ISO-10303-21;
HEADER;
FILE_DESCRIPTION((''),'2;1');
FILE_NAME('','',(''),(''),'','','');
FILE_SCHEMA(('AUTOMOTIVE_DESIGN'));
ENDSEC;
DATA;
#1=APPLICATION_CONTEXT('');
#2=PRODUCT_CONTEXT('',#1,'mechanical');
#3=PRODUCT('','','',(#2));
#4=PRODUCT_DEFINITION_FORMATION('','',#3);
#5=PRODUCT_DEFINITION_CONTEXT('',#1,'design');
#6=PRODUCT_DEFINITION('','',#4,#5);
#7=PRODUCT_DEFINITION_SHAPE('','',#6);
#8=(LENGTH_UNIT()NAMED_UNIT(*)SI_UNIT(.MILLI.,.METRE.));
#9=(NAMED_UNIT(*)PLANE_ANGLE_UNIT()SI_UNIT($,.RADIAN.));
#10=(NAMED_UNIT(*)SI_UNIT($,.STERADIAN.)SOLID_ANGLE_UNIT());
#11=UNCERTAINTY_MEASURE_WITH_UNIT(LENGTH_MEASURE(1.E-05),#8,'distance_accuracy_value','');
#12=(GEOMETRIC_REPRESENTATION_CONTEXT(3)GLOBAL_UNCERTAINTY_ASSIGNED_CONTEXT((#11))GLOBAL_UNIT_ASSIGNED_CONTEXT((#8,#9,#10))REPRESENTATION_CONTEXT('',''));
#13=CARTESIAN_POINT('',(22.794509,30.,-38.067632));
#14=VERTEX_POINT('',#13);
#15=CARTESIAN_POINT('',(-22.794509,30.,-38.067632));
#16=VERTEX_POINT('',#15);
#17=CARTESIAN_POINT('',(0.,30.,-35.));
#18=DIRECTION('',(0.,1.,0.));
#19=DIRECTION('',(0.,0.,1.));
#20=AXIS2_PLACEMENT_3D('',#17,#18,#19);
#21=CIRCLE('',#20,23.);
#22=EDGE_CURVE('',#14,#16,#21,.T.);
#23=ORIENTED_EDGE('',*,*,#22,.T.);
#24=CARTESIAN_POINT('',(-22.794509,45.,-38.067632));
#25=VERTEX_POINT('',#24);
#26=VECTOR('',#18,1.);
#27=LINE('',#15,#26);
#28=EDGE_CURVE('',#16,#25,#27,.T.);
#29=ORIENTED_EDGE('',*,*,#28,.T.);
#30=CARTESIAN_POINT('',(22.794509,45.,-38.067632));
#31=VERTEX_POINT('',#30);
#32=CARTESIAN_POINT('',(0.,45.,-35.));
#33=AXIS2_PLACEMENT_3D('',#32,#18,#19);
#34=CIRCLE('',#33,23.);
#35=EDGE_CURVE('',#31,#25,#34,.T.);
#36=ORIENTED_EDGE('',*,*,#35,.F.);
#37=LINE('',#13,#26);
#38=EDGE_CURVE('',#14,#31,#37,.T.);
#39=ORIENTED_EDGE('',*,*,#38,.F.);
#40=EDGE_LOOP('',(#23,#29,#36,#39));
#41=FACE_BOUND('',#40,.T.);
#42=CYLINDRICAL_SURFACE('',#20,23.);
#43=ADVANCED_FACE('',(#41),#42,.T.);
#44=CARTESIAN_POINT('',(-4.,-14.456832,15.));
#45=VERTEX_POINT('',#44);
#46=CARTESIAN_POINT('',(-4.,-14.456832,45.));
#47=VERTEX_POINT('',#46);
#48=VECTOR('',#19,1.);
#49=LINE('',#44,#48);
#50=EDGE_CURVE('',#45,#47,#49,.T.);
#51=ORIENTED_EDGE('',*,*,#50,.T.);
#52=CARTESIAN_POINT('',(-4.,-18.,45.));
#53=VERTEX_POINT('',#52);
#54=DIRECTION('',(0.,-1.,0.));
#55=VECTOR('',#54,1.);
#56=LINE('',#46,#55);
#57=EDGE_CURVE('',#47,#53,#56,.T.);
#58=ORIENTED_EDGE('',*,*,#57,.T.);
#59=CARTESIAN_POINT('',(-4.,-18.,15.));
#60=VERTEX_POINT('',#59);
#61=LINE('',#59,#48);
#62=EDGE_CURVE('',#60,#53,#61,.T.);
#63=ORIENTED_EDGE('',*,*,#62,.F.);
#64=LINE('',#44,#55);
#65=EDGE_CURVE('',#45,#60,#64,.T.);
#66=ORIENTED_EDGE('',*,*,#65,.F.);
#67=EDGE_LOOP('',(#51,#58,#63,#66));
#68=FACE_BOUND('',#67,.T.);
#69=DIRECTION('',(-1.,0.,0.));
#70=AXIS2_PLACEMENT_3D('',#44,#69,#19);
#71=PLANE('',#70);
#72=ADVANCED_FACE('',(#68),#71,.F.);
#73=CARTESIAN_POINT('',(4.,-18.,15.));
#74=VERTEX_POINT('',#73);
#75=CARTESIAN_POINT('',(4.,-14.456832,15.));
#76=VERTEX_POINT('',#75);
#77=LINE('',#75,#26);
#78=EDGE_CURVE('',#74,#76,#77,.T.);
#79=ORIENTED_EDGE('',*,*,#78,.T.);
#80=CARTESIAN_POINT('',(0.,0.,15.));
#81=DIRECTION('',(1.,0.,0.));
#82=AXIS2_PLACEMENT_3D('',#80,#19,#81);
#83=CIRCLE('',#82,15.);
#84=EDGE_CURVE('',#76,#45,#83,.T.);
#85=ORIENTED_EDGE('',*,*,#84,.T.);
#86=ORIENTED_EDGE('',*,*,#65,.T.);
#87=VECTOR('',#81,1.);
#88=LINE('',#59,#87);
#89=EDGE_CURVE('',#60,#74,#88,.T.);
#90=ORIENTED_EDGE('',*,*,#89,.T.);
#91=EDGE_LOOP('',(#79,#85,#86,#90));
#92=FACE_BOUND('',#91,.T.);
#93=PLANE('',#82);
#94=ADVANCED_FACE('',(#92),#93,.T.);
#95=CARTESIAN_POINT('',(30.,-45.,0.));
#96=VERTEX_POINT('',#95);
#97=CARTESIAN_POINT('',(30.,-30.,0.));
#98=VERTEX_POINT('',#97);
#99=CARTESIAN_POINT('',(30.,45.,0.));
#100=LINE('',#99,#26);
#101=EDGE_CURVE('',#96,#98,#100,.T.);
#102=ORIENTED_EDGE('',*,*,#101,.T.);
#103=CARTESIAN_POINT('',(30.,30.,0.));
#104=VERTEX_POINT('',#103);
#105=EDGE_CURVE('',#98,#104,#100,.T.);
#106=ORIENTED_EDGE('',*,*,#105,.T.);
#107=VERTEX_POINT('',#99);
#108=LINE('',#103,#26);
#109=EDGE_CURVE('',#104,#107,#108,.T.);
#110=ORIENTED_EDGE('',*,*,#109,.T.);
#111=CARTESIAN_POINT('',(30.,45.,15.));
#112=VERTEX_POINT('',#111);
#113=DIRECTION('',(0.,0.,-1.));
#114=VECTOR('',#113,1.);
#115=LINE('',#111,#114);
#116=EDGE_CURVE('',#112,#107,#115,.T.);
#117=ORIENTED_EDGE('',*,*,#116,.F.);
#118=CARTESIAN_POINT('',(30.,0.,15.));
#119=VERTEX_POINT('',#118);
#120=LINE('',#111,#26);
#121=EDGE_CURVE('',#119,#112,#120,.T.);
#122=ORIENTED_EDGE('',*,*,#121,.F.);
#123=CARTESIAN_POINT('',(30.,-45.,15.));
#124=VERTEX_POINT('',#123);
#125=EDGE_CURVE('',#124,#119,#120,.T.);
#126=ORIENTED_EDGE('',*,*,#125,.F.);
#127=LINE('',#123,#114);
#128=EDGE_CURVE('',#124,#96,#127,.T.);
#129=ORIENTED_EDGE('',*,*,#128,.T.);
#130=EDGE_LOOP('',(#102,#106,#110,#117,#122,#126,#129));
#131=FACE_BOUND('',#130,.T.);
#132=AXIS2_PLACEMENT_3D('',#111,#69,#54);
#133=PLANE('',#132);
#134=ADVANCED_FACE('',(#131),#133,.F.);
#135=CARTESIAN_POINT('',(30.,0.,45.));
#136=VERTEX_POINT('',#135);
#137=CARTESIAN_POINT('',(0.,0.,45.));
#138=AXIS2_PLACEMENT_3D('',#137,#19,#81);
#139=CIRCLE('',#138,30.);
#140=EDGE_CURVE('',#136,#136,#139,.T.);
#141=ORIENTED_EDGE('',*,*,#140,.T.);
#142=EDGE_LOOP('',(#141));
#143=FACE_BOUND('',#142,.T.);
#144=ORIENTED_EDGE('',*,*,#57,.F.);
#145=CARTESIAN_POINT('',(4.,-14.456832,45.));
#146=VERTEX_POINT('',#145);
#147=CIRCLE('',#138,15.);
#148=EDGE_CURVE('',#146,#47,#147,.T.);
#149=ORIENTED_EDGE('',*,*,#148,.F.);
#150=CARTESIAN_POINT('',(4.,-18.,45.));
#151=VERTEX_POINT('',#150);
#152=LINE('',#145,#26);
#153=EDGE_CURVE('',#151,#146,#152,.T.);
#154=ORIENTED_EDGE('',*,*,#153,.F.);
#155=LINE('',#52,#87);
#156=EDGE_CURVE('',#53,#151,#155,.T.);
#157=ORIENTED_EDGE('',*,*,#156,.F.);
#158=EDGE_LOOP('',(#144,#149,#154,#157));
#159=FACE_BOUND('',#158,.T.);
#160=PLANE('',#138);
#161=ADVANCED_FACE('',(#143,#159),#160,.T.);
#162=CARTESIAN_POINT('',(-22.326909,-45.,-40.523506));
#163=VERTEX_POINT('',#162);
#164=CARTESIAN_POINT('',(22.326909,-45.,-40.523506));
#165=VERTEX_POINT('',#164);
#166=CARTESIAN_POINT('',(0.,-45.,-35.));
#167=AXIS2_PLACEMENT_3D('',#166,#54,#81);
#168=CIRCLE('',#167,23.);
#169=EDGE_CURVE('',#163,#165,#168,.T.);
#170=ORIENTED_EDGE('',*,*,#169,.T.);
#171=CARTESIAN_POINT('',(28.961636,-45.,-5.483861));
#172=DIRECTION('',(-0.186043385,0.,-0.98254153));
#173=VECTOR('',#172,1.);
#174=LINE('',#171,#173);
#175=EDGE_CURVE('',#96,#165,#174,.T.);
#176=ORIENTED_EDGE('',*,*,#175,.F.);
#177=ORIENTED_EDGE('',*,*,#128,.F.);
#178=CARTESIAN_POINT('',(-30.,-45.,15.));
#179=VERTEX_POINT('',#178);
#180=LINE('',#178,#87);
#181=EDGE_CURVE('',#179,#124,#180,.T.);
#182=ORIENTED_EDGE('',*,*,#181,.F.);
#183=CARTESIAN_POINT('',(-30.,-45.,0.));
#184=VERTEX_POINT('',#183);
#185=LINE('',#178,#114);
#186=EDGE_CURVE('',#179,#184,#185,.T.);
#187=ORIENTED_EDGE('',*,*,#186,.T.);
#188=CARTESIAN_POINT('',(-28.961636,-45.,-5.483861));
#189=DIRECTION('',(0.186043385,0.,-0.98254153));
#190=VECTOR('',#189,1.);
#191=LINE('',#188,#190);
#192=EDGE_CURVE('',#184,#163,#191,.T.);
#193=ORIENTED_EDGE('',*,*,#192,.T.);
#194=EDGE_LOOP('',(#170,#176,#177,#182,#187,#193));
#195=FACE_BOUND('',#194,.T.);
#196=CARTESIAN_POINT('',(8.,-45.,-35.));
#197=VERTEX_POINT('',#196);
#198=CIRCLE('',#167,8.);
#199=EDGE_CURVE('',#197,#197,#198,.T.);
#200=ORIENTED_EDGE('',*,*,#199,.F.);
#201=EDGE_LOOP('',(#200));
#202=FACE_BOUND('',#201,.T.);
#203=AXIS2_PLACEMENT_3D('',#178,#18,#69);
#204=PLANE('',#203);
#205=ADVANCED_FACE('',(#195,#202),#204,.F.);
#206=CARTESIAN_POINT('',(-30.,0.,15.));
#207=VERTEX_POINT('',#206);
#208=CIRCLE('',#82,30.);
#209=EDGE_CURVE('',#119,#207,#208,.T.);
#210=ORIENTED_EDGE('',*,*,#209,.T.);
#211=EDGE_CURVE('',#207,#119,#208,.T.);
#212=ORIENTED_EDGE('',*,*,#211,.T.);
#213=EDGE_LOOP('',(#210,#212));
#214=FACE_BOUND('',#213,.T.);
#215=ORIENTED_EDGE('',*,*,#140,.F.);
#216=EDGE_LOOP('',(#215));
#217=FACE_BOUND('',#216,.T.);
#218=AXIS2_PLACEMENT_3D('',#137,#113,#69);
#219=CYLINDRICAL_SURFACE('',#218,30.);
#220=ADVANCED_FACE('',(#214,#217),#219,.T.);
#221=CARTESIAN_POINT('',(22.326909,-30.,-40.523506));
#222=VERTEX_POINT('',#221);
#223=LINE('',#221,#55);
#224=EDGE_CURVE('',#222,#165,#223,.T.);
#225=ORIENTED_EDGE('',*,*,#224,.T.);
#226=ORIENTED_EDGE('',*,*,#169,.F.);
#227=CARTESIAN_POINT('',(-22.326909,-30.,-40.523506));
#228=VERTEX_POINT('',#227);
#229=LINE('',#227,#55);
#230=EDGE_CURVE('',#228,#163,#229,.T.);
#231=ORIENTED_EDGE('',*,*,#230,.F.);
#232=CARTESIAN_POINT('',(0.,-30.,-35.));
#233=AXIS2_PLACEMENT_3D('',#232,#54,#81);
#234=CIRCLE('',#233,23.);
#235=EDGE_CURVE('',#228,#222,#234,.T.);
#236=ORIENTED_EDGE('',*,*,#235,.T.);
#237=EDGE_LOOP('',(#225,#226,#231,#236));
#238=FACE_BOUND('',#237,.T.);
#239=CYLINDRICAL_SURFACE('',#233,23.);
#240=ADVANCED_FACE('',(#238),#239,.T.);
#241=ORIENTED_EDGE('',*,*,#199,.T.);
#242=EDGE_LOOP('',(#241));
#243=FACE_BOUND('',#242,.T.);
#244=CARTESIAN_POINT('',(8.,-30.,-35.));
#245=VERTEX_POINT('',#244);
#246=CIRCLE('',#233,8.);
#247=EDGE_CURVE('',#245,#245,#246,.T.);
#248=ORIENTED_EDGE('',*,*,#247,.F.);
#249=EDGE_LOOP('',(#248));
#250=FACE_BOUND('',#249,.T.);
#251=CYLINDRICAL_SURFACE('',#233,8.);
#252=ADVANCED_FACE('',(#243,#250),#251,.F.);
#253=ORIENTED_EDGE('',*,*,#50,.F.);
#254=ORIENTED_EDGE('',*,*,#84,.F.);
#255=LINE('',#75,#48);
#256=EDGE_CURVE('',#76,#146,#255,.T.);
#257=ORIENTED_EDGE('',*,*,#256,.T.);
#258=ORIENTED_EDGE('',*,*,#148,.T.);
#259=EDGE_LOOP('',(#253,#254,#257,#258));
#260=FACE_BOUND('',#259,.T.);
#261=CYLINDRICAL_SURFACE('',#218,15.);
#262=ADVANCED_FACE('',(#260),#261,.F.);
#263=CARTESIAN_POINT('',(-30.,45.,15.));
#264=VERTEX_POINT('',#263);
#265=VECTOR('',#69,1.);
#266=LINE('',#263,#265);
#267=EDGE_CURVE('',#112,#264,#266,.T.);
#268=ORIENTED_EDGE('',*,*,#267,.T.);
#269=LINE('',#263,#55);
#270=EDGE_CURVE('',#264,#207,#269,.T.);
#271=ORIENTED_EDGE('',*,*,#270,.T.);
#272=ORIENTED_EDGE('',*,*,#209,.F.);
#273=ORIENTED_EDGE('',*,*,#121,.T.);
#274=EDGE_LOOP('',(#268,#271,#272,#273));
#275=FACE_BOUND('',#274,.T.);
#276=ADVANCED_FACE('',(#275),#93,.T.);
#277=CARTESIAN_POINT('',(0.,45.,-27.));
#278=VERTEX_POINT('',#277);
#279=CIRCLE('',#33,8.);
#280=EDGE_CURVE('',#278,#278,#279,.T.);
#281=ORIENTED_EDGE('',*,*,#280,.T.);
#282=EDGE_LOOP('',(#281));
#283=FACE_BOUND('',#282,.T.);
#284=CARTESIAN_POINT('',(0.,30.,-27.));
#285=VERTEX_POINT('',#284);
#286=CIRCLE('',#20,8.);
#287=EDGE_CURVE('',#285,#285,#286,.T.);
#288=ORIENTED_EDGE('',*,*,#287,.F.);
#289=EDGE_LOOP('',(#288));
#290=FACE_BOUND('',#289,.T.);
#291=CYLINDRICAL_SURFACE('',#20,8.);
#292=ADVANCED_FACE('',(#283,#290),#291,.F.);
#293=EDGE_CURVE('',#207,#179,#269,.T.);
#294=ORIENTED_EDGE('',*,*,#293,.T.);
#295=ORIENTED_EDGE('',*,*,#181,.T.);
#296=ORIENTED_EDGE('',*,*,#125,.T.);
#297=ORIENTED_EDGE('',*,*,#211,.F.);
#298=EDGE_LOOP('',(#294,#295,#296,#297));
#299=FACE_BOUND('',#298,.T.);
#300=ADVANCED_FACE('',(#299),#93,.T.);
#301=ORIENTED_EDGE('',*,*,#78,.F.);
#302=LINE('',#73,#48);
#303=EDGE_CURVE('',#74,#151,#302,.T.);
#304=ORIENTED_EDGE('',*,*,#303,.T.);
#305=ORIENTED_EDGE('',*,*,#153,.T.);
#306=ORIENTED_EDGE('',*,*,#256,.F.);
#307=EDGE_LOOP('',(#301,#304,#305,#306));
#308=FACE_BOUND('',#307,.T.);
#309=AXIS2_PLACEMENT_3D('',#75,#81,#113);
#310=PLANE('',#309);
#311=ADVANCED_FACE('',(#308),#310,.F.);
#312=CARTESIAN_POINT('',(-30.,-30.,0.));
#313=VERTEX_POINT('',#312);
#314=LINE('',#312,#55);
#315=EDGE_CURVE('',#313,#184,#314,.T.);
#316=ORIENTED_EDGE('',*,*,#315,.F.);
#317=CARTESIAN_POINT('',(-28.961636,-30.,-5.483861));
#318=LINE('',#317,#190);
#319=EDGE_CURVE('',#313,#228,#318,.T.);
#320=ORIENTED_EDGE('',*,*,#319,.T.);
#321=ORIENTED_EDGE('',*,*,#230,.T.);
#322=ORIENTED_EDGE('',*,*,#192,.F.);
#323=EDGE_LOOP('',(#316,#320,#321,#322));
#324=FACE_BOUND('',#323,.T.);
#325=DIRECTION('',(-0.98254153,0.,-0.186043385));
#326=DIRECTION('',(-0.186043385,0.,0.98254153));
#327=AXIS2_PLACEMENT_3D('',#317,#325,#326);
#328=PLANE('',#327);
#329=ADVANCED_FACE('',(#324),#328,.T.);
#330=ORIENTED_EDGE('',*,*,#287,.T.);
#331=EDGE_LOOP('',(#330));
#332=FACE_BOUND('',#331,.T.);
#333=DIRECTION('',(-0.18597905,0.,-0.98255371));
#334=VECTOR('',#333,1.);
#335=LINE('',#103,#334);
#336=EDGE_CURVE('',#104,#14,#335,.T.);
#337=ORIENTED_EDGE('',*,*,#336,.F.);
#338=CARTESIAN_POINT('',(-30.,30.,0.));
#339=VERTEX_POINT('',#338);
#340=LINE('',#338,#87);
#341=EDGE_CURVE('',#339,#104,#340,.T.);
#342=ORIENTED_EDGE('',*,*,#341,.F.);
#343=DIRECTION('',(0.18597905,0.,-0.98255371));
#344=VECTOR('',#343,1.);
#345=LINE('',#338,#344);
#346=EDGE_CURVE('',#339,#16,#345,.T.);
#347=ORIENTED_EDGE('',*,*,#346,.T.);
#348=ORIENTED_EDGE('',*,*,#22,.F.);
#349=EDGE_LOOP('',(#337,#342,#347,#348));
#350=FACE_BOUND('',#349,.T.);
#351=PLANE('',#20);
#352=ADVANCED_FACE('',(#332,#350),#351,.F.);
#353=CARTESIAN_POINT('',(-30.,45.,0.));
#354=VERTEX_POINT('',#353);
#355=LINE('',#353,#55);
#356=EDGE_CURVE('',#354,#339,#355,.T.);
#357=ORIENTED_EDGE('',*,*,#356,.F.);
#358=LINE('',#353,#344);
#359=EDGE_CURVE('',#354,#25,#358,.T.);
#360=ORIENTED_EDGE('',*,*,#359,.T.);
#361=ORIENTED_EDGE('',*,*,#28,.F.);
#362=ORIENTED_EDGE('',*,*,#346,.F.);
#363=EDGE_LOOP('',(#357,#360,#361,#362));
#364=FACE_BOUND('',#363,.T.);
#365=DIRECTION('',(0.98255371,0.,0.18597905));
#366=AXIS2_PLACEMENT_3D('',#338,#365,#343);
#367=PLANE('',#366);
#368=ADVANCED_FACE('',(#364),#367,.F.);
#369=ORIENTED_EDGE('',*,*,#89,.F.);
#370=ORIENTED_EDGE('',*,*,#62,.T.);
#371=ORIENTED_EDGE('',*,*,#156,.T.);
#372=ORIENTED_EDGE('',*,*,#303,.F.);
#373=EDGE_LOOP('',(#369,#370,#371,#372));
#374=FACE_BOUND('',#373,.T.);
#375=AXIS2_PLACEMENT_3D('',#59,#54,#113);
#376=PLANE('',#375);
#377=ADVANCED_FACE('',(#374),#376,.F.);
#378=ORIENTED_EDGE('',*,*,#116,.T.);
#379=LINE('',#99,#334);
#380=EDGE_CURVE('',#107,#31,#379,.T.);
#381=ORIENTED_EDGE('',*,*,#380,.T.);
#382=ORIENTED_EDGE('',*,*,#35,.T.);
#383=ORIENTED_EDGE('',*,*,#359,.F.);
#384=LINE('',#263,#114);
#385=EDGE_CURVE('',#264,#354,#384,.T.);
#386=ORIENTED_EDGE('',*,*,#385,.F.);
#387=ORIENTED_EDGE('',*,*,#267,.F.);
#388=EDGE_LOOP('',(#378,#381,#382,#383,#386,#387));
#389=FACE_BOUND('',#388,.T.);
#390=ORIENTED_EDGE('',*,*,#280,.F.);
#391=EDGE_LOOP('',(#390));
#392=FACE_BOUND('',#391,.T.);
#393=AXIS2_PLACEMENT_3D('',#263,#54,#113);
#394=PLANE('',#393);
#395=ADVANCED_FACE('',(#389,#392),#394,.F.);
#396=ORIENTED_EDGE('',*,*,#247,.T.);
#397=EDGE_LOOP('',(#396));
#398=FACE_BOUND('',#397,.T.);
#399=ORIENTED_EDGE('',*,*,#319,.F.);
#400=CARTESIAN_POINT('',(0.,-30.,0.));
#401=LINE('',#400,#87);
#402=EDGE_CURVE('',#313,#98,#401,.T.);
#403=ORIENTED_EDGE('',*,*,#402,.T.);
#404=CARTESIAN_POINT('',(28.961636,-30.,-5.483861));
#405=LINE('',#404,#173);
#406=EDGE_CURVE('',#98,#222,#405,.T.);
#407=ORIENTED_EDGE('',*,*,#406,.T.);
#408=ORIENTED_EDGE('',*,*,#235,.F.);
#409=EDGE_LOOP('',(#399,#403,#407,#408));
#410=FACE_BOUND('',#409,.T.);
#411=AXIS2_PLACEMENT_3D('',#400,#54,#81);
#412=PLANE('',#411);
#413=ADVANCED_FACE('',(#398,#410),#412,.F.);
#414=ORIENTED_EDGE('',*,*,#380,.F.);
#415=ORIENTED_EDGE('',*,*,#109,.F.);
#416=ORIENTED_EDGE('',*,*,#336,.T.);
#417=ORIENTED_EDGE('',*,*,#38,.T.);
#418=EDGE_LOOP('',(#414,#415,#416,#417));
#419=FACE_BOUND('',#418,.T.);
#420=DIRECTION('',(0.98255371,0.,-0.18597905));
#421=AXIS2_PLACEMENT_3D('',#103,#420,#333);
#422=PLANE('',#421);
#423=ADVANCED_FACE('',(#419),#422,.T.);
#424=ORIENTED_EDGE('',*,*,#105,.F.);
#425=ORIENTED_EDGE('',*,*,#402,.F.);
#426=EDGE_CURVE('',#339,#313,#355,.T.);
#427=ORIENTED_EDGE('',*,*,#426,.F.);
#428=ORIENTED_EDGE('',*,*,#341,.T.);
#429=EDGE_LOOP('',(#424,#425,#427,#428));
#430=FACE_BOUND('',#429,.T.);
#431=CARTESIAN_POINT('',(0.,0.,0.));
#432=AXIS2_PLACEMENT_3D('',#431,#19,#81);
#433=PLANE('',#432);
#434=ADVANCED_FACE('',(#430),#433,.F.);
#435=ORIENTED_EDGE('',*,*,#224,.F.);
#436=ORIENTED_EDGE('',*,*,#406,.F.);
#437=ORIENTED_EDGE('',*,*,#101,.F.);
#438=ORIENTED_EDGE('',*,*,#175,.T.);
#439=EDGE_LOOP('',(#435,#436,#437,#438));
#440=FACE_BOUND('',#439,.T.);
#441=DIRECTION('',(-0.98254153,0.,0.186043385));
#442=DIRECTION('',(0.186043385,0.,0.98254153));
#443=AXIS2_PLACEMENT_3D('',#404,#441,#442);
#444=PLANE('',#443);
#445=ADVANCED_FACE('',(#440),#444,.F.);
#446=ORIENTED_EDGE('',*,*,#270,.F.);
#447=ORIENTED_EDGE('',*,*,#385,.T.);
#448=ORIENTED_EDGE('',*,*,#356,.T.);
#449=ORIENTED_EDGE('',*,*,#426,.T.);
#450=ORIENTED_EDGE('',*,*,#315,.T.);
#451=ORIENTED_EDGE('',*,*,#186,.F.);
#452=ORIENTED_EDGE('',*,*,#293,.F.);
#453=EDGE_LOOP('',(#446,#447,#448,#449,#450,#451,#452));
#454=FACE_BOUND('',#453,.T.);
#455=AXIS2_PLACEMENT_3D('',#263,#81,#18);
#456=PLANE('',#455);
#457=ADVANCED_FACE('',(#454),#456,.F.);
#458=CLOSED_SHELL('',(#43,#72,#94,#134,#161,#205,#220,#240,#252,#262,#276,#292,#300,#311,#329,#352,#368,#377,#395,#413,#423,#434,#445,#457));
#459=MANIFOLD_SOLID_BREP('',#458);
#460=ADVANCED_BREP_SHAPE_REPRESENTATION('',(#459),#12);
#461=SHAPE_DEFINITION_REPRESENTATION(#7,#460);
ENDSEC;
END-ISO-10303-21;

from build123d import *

# Parameters (mm, degrees)
SKETCH1_W           = 60
SKETCH1_H           = 90
BOSS_EXTRUDE1_DEPTH = 15
SKETCH2_R           = 30
SKETCH2_R_2         = 15
BOSS_EXTRUDE2_DEPTH = 30
CUT_EXTRUDE1_START  = -30
CUT_EXTRUDE1_DEPTH  = 30
SKETCH4_R           = 8
BOSS_EXTRUDE4_DEPTH = 15
BOSS_EXTRUDE5_START = -15
SKETCH8_R           = 8
BOSS_EXTRUDE5_DEPTH = 15


with BuildPart() as part:
    # Sketch1 → Boss-Extrude1 (new body)
    with BuildSketch(Plane.XY):
        Rectangle(SKETCH1_W, SKETCH1_H)
    extrude(amount=BOSS_EXTRUDE1_DEPTH)

    # Sketch2 → Boss-Extrude2 (add)
    with BuildSketch(Plane.XY.offset(15)):
        Circle(SKETCH2_R)
        Circle(SKETCH2_R_2, mode=Mode.SUBTRACT)
    extrude(amount=BOSS_EXTRUDE2_DEPTH)

    # Sketch3 → Cut-Extrude1 (cut)
    with BuildSketch(Plane.XY.offset(45).offset(CUT_EXTRUDE1_START)):
        with BuildLine():
            Line((-4, -18), (4, -18))
            Line((4, -18), (4, -14.456832295))
            ThreePointArc((4, -14.456832295), (0, 15), (-4, -14.456832295))
            Line((-4, -14.456832295), (-4, -18))
        make_face()
    extrude(amount=CUT_EXTRUDE1_DEPTH, mode=Mode.SUBTRACT)

    # Sketch4 → Boss-Extrude4 (add)
    with BuildSketch(Plane(origin=(0, 45, 0), x_dir=(1, 0, 0), z_dir=(0, 1, 0))):
        with BuildLine():
            Line((-30, 0), (-22.79450882, 38.067632254))
            ThreePointArc((-22.79450882, 38.067632254), (0, 58), (22.79450882, 38.067632254))
            Line((22.79450882, 38.067632254), (30, 0))
            Line((30, 0), (-30, 0))
        make_face()
        with Locations(Location((0, 35, 0), (0, 0, 270))):
            Circle(SKETCH4_R, mode=Mode.SUBTRACT)
    extrude(amount=-BOSS_EXTRUDE4_DEPTH)

    # Sketch8 → Boss-Extrude5 (add)
    with BuildSketch(Plane.XZ.offset(45).offset(BOSS_EXTRUDE5_START)):
        with BuildLine():
            Line((30, 0), (-30, 0))
            Line((-30, 0), (-22.800687568, -38.021364997))
            Line((-22.800687568, -38.021364997), (-22.326909292, -40.523506265))
            ThreePointArc((-22.326909292, -40.523506265), (0, -58), (22.326909292, -40.523506265))
            Line((22.326909292, -40.523506265), (22.800687568, -38.021364997))
            Line((22.800687568, -38.021364997), (30, 0))
        make_face()
        with Locations(Location((0, -35, 0), (0, 0, 90))):
            Circle(SKETCH8_R, mode=Mode.SUBTRACT)
    extrude(amount=BOSS_EXTRUDE5_DEPTH)


solid = part.part
